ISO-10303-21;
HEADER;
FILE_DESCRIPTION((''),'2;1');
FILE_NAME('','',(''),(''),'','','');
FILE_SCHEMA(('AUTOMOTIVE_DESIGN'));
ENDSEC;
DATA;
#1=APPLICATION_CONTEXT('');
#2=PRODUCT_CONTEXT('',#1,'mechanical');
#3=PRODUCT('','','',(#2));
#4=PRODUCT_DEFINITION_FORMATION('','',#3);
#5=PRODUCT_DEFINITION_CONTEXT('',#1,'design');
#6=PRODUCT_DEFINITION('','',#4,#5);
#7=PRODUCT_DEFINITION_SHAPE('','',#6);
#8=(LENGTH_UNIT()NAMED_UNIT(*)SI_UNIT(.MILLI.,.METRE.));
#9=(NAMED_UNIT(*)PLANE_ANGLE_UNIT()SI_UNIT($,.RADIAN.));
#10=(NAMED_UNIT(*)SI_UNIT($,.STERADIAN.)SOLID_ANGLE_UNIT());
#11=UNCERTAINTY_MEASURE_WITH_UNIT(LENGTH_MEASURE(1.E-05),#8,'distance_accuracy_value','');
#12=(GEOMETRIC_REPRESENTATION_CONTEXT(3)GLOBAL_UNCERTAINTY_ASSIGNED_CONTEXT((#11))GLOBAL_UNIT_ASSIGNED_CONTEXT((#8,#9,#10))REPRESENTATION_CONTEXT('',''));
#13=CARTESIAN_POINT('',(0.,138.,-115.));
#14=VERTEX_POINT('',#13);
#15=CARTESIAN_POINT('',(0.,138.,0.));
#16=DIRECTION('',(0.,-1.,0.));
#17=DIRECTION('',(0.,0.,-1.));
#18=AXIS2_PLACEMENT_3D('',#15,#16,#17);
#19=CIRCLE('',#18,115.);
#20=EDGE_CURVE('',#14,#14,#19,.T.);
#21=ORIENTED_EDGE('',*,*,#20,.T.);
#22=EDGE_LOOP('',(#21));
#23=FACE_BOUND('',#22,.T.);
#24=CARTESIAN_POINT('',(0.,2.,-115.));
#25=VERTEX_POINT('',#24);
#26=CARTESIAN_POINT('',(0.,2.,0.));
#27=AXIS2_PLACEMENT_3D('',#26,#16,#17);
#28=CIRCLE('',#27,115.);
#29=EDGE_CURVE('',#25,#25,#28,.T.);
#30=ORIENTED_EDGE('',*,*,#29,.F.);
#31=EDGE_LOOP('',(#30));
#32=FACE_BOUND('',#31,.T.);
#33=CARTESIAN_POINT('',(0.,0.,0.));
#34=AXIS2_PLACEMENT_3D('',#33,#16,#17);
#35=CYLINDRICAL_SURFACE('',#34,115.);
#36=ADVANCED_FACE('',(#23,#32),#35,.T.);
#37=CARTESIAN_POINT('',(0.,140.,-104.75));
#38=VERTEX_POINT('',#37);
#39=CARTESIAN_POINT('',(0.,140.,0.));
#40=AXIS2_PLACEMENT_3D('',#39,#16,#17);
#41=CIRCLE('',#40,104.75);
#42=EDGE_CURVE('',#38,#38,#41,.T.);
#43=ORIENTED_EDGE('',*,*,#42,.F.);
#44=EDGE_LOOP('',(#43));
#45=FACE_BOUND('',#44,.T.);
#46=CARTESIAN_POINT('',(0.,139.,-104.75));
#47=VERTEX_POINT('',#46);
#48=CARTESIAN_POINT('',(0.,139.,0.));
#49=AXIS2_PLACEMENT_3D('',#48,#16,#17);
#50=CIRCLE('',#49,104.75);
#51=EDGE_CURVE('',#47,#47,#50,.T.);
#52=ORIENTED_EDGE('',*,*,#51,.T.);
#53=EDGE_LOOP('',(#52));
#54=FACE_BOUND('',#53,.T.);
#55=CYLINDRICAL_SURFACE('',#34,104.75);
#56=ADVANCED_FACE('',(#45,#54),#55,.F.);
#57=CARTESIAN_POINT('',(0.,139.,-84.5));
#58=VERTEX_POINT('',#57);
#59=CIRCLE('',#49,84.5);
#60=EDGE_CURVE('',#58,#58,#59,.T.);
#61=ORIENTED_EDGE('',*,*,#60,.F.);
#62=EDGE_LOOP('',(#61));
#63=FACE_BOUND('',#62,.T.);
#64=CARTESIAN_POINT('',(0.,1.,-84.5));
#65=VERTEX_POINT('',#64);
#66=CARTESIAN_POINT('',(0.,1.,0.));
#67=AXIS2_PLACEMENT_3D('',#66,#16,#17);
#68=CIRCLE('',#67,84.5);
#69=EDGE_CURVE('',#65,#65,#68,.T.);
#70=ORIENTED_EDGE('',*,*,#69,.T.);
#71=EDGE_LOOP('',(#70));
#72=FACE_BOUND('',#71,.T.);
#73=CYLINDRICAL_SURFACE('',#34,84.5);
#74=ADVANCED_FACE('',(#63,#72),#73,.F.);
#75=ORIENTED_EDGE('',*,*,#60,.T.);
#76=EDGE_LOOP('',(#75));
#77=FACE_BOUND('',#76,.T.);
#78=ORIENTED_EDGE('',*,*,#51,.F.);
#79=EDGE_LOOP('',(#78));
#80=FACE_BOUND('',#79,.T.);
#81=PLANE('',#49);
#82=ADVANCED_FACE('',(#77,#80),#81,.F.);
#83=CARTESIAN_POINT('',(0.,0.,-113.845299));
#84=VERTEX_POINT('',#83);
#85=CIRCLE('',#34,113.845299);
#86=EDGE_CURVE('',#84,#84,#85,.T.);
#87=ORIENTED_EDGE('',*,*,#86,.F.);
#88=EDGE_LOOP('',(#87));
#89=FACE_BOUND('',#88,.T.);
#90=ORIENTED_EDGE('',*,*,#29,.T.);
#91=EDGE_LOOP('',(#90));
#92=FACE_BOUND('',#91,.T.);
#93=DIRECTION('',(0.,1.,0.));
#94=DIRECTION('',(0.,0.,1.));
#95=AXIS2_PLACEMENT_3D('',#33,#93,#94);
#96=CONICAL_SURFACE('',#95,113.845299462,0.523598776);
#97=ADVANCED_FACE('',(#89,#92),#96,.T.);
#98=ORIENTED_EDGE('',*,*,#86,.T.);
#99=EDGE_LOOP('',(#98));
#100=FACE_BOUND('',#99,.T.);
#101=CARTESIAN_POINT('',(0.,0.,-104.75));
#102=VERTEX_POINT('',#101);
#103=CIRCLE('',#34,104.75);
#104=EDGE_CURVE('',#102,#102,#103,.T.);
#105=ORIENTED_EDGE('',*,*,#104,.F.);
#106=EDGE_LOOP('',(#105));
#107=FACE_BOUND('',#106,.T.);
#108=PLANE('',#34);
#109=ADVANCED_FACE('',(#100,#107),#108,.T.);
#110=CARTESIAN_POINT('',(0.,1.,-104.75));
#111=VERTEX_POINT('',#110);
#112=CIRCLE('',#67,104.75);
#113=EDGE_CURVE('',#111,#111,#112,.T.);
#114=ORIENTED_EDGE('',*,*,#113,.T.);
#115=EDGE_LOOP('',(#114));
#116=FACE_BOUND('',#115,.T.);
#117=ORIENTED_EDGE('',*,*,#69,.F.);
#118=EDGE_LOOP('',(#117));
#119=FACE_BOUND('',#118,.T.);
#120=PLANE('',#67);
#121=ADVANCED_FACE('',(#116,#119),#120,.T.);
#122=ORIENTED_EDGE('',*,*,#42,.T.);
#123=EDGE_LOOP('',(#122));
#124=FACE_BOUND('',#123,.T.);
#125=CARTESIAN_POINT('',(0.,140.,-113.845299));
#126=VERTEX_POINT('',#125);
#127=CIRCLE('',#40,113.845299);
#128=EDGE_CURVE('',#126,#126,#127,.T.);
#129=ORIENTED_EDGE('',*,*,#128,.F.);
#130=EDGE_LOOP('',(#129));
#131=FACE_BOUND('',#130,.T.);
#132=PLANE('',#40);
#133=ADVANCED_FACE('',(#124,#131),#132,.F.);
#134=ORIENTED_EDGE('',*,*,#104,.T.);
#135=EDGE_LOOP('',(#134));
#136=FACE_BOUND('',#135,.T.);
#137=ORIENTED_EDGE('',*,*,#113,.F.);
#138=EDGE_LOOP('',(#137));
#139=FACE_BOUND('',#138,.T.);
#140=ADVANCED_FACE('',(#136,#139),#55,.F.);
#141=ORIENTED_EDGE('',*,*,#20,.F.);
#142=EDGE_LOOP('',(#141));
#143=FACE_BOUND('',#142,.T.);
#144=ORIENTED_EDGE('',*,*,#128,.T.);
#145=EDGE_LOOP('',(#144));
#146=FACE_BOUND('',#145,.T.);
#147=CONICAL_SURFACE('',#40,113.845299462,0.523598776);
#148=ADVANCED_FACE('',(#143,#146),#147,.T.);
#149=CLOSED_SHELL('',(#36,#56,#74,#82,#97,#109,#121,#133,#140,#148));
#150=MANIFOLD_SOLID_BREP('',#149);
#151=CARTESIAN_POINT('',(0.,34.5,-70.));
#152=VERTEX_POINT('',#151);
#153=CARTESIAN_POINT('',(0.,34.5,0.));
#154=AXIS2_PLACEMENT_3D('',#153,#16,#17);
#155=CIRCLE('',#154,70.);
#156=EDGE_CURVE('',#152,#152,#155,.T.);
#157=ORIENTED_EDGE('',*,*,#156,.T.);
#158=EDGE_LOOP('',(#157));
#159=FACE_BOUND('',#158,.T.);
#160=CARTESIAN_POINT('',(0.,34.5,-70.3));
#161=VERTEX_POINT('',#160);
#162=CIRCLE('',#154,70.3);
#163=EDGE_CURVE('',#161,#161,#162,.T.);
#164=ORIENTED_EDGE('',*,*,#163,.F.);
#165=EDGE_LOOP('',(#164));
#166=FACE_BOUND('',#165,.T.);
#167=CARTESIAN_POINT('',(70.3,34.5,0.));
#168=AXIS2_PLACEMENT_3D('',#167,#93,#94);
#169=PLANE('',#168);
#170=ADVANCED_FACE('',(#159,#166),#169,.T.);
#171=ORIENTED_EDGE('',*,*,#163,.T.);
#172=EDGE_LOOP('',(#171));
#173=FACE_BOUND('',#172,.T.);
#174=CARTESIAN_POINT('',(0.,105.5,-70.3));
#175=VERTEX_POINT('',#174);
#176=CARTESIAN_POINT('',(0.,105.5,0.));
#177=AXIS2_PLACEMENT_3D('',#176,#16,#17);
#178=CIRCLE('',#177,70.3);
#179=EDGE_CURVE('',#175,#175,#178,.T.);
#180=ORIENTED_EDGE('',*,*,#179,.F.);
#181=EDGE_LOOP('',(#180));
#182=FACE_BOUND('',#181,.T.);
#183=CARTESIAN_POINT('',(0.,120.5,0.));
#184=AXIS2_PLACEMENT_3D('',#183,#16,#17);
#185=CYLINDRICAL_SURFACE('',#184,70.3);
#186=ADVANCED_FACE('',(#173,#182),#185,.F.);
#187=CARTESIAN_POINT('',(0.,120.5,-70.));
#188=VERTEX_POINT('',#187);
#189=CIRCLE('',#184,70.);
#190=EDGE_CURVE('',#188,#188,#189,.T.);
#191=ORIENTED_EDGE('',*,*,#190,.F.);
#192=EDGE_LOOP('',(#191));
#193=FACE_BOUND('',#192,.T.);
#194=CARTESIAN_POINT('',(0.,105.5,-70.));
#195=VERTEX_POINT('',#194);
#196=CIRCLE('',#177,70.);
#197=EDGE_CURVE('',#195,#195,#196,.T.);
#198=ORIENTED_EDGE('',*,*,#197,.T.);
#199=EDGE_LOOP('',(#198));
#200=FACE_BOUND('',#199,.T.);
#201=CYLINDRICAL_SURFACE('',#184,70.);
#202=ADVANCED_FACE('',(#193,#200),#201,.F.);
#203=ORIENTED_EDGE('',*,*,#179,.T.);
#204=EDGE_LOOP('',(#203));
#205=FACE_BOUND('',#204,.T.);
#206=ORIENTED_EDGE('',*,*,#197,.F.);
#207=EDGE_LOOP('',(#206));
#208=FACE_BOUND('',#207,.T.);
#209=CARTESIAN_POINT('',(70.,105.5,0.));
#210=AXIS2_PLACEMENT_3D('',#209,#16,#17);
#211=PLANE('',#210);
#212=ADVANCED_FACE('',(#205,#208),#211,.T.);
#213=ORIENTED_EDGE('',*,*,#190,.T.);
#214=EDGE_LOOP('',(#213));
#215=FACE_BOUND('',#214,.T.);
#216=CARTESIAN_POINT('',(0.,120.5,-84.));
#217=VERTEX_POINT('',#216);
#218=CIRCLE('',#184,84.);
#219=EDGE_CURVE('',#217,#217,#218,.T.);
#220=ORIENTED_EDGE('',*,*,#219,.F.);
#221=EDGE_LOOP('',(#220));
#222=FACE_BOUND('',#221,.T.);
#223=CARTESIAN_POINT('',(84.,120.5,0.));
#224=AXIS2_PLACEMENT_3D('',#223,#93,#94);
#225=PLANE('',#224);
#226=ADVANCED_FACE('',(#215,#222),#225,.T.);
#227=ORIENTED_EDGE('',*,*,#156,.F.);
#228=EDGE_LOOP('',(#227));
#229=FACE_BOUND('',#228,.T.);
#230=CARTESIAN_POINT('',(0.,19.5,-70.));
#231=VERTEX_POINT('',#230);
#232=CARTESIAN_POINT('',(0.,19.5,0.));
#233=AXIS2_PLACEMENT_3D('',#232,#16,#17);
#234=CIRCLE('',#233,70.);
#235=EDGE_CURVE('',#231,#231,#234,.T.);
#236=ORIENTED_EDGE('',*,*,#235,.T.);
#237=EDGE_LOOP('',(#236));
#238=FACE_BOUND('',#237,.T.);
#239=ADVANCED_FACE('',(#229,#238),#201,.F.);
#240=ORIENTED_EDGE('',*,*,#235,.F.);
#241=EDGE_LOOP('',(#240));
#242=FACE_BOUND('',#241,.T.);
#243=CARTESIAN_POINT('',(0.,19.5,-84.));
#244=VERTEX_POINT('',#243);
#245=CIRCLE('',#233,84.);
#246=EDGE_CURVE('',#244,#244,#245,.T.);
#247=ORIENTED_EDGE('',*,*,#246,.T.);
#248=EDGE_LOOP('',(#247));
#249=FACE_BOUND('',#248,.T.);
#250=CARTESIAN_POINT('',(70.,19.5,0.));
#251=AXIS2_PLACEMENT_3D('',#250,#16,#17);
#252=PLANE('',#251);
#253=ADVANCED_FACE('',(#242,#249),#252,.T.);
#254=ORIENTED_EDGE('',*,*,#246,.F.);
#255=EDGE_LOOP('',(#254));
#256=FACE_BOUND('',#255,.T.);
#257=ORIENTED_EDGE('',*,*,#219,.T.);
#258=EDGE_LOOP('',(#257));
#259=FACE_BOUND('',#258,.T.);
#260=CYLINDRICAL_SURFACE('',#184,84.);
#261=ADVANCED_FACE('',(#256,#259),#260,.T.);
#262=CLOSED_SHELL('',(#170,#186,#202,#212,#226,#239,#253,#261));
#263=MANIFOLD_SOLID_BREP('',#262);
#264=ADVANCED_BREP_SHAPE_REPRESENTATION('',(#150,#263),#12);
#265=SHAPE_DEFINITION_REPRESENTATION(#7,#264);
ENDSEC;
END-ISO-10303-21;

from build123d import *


with BuildPart() as part:
    # 草圖1 → 旋轉1 (revolve)
    with BuildSketch(Plane.XY, mode=Mode.PRIVATE) as revolve_1_sk:
        Polygon((70, 120.5), (70, 105.5), (70.3, 105.5), (70.3, 34.5), (70, 34.5), (70, 19.5), (84, 19.5), (84, 120.5), align=None)
    revolve(revolve_1_sk.sketch.rotate(Axis((0, 120.5, 0), (0, -1, 0)), 270), axis=Axis((0, 120.5, 0), (0, -1, 0)))


with BuildPart() as body_2:
    # 草圖2 → 旋轉2 (revolve)
    with BuildSketch(Plane.XY, mode=Mode.PRIVATE) as revolve_2_sk:
        Polygon((84.5, 139), (84.5, 1), (104.75, 1), (104.75, 0), (113.845299462, 0), (115, 2), (115, 138), (113.845299462, 140), (104.75, 140), (104.75, 139), align=None)
    revolve(revolve_2_sk.sketch.rotate(Axis((0, 0, 0), (0, 1, 0)), 90), axis=Axis((0, 0, 0), (0, 1, 0)))


solid = Compound([part.part, body_2.part])
